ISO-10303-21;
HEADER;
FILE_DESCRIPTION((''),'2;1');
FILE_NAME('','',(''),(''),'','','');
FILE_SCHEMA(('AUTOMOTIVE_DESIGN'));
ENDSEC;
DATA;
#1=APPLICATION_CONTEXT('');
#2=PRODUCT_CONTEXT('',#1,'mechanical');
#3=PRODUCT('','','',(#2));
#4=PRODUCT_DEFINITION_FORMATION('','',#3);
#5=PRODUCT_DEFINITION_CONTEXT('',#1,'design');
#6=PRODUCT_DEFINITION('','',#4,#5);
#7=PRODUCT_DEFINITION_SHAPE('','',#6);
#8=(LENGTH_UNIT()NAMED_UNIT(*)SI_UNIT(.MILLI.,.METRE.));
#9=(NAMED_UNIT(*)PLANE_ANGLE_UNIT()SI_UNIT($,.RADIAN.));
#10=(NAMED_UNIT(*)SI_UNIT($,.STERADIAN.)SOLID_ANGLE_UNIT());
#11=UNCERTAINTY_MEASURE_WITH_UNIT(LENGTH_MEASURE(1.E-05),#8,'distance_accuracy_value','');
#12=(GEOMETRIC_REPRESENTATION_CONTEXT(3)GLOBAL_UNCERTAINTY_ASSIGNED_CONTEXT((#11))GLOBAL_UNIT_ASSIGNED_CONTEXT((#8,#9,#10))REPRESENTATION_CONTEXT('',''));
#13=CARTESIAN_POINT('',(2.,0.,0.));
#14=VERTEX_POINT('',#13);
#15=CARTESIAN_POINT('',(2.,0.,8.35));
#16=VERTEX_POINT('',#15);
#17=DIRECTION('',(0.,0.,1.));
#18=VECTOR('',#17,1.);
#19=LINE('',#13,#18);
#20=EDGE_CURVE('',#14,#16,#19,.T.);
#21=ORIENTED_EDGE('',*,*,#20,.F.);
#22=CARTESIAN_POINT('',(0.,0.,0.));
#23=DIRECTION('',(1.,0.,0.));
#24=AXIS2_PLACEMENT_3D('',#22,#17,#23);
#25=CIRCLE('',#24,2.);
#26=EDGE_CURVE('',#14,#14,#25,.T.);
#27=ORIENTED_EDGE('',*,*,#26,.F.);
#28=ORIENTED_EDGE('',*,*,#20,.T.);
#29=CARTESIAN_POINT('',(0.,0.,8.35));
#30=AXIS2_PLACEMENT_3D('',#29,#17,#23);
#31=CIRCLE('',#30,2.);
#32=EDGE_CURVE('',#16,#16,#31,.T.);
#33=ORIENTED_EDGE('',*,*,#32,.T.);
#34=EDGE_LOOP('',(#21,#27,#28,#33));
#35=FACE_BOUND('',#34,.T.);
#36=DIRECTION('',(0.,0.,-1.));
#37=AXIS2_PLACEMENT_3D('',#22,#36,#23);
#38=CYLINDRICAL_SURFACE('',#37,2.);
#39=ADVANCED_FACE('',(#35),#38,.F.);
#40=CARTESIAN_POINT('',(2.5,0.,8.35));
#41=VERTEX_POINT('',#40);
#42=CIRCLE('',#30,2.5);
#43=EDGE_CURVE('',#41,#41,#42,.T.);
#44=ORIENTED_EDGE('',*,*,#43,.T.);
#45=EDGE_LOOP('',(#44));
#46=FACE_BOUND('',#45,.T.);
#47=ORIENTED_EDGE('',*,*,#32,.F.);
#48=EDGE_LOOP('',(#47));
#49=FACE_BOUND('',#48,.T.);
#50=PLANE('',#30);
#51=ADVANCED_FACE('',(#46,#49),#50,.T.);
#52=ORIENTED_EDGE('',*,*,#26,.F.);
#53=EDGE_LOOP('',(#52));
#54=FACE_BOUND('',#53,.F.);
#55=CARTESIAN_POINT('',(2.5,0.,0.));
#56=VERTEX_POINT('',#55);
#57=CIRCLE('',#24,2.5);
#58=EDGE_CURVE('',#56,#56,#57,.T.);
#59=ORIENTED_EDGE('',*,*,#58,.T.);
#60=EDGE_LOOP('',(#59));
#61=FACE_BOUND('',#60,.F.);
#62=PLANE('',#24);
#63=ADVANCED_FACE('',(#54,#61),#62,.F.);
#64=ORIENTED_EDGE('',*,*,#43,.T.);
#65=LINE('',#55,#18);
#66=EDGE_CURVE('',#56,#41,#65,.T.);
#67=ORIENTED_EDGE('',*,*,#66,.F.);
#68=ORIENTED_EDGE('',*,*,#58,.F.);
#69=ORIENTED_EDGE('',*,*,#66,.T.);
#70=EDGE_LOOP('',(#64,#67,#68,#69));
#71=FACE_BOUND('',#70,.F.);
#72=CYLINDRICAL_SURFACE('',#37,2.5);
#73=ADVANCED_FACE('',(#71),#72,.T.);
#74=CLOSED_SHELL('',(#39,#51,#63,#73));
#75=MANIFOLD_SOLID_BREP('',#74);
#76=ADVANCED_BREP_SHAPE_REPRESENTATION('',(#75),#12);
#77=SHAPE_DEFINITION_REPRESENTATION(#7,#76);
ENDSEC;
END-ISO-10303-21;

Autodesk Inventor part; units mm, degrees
ref_plane "YZ Plane" through (0, 0, 0) normal (1, 0, 0) x (0, 1, 0)
ref_plane "XZ Plane" through (0, 0, 0) normal (0, 1, 0) x (-1, 0, 0)
ref_plane "XY Plane" through (0, 0, 0) normal (0, 0, 1) x (1, 0, 0)
sketch "Szkic1" plane through (0, 0, 0) normal (0, 0, 1) x (1, 0, 0)
  circle A0 centre (0, 0) radius 2
  circle A1 centre (0, 0) radius 2.5
  dimension "d0" = 4
  dimension "d1" = 5
extrude "Wyciągnięcie proste1" add sketch "Szkic1" along normal blind 8.35
properties part number "tuleja2"
